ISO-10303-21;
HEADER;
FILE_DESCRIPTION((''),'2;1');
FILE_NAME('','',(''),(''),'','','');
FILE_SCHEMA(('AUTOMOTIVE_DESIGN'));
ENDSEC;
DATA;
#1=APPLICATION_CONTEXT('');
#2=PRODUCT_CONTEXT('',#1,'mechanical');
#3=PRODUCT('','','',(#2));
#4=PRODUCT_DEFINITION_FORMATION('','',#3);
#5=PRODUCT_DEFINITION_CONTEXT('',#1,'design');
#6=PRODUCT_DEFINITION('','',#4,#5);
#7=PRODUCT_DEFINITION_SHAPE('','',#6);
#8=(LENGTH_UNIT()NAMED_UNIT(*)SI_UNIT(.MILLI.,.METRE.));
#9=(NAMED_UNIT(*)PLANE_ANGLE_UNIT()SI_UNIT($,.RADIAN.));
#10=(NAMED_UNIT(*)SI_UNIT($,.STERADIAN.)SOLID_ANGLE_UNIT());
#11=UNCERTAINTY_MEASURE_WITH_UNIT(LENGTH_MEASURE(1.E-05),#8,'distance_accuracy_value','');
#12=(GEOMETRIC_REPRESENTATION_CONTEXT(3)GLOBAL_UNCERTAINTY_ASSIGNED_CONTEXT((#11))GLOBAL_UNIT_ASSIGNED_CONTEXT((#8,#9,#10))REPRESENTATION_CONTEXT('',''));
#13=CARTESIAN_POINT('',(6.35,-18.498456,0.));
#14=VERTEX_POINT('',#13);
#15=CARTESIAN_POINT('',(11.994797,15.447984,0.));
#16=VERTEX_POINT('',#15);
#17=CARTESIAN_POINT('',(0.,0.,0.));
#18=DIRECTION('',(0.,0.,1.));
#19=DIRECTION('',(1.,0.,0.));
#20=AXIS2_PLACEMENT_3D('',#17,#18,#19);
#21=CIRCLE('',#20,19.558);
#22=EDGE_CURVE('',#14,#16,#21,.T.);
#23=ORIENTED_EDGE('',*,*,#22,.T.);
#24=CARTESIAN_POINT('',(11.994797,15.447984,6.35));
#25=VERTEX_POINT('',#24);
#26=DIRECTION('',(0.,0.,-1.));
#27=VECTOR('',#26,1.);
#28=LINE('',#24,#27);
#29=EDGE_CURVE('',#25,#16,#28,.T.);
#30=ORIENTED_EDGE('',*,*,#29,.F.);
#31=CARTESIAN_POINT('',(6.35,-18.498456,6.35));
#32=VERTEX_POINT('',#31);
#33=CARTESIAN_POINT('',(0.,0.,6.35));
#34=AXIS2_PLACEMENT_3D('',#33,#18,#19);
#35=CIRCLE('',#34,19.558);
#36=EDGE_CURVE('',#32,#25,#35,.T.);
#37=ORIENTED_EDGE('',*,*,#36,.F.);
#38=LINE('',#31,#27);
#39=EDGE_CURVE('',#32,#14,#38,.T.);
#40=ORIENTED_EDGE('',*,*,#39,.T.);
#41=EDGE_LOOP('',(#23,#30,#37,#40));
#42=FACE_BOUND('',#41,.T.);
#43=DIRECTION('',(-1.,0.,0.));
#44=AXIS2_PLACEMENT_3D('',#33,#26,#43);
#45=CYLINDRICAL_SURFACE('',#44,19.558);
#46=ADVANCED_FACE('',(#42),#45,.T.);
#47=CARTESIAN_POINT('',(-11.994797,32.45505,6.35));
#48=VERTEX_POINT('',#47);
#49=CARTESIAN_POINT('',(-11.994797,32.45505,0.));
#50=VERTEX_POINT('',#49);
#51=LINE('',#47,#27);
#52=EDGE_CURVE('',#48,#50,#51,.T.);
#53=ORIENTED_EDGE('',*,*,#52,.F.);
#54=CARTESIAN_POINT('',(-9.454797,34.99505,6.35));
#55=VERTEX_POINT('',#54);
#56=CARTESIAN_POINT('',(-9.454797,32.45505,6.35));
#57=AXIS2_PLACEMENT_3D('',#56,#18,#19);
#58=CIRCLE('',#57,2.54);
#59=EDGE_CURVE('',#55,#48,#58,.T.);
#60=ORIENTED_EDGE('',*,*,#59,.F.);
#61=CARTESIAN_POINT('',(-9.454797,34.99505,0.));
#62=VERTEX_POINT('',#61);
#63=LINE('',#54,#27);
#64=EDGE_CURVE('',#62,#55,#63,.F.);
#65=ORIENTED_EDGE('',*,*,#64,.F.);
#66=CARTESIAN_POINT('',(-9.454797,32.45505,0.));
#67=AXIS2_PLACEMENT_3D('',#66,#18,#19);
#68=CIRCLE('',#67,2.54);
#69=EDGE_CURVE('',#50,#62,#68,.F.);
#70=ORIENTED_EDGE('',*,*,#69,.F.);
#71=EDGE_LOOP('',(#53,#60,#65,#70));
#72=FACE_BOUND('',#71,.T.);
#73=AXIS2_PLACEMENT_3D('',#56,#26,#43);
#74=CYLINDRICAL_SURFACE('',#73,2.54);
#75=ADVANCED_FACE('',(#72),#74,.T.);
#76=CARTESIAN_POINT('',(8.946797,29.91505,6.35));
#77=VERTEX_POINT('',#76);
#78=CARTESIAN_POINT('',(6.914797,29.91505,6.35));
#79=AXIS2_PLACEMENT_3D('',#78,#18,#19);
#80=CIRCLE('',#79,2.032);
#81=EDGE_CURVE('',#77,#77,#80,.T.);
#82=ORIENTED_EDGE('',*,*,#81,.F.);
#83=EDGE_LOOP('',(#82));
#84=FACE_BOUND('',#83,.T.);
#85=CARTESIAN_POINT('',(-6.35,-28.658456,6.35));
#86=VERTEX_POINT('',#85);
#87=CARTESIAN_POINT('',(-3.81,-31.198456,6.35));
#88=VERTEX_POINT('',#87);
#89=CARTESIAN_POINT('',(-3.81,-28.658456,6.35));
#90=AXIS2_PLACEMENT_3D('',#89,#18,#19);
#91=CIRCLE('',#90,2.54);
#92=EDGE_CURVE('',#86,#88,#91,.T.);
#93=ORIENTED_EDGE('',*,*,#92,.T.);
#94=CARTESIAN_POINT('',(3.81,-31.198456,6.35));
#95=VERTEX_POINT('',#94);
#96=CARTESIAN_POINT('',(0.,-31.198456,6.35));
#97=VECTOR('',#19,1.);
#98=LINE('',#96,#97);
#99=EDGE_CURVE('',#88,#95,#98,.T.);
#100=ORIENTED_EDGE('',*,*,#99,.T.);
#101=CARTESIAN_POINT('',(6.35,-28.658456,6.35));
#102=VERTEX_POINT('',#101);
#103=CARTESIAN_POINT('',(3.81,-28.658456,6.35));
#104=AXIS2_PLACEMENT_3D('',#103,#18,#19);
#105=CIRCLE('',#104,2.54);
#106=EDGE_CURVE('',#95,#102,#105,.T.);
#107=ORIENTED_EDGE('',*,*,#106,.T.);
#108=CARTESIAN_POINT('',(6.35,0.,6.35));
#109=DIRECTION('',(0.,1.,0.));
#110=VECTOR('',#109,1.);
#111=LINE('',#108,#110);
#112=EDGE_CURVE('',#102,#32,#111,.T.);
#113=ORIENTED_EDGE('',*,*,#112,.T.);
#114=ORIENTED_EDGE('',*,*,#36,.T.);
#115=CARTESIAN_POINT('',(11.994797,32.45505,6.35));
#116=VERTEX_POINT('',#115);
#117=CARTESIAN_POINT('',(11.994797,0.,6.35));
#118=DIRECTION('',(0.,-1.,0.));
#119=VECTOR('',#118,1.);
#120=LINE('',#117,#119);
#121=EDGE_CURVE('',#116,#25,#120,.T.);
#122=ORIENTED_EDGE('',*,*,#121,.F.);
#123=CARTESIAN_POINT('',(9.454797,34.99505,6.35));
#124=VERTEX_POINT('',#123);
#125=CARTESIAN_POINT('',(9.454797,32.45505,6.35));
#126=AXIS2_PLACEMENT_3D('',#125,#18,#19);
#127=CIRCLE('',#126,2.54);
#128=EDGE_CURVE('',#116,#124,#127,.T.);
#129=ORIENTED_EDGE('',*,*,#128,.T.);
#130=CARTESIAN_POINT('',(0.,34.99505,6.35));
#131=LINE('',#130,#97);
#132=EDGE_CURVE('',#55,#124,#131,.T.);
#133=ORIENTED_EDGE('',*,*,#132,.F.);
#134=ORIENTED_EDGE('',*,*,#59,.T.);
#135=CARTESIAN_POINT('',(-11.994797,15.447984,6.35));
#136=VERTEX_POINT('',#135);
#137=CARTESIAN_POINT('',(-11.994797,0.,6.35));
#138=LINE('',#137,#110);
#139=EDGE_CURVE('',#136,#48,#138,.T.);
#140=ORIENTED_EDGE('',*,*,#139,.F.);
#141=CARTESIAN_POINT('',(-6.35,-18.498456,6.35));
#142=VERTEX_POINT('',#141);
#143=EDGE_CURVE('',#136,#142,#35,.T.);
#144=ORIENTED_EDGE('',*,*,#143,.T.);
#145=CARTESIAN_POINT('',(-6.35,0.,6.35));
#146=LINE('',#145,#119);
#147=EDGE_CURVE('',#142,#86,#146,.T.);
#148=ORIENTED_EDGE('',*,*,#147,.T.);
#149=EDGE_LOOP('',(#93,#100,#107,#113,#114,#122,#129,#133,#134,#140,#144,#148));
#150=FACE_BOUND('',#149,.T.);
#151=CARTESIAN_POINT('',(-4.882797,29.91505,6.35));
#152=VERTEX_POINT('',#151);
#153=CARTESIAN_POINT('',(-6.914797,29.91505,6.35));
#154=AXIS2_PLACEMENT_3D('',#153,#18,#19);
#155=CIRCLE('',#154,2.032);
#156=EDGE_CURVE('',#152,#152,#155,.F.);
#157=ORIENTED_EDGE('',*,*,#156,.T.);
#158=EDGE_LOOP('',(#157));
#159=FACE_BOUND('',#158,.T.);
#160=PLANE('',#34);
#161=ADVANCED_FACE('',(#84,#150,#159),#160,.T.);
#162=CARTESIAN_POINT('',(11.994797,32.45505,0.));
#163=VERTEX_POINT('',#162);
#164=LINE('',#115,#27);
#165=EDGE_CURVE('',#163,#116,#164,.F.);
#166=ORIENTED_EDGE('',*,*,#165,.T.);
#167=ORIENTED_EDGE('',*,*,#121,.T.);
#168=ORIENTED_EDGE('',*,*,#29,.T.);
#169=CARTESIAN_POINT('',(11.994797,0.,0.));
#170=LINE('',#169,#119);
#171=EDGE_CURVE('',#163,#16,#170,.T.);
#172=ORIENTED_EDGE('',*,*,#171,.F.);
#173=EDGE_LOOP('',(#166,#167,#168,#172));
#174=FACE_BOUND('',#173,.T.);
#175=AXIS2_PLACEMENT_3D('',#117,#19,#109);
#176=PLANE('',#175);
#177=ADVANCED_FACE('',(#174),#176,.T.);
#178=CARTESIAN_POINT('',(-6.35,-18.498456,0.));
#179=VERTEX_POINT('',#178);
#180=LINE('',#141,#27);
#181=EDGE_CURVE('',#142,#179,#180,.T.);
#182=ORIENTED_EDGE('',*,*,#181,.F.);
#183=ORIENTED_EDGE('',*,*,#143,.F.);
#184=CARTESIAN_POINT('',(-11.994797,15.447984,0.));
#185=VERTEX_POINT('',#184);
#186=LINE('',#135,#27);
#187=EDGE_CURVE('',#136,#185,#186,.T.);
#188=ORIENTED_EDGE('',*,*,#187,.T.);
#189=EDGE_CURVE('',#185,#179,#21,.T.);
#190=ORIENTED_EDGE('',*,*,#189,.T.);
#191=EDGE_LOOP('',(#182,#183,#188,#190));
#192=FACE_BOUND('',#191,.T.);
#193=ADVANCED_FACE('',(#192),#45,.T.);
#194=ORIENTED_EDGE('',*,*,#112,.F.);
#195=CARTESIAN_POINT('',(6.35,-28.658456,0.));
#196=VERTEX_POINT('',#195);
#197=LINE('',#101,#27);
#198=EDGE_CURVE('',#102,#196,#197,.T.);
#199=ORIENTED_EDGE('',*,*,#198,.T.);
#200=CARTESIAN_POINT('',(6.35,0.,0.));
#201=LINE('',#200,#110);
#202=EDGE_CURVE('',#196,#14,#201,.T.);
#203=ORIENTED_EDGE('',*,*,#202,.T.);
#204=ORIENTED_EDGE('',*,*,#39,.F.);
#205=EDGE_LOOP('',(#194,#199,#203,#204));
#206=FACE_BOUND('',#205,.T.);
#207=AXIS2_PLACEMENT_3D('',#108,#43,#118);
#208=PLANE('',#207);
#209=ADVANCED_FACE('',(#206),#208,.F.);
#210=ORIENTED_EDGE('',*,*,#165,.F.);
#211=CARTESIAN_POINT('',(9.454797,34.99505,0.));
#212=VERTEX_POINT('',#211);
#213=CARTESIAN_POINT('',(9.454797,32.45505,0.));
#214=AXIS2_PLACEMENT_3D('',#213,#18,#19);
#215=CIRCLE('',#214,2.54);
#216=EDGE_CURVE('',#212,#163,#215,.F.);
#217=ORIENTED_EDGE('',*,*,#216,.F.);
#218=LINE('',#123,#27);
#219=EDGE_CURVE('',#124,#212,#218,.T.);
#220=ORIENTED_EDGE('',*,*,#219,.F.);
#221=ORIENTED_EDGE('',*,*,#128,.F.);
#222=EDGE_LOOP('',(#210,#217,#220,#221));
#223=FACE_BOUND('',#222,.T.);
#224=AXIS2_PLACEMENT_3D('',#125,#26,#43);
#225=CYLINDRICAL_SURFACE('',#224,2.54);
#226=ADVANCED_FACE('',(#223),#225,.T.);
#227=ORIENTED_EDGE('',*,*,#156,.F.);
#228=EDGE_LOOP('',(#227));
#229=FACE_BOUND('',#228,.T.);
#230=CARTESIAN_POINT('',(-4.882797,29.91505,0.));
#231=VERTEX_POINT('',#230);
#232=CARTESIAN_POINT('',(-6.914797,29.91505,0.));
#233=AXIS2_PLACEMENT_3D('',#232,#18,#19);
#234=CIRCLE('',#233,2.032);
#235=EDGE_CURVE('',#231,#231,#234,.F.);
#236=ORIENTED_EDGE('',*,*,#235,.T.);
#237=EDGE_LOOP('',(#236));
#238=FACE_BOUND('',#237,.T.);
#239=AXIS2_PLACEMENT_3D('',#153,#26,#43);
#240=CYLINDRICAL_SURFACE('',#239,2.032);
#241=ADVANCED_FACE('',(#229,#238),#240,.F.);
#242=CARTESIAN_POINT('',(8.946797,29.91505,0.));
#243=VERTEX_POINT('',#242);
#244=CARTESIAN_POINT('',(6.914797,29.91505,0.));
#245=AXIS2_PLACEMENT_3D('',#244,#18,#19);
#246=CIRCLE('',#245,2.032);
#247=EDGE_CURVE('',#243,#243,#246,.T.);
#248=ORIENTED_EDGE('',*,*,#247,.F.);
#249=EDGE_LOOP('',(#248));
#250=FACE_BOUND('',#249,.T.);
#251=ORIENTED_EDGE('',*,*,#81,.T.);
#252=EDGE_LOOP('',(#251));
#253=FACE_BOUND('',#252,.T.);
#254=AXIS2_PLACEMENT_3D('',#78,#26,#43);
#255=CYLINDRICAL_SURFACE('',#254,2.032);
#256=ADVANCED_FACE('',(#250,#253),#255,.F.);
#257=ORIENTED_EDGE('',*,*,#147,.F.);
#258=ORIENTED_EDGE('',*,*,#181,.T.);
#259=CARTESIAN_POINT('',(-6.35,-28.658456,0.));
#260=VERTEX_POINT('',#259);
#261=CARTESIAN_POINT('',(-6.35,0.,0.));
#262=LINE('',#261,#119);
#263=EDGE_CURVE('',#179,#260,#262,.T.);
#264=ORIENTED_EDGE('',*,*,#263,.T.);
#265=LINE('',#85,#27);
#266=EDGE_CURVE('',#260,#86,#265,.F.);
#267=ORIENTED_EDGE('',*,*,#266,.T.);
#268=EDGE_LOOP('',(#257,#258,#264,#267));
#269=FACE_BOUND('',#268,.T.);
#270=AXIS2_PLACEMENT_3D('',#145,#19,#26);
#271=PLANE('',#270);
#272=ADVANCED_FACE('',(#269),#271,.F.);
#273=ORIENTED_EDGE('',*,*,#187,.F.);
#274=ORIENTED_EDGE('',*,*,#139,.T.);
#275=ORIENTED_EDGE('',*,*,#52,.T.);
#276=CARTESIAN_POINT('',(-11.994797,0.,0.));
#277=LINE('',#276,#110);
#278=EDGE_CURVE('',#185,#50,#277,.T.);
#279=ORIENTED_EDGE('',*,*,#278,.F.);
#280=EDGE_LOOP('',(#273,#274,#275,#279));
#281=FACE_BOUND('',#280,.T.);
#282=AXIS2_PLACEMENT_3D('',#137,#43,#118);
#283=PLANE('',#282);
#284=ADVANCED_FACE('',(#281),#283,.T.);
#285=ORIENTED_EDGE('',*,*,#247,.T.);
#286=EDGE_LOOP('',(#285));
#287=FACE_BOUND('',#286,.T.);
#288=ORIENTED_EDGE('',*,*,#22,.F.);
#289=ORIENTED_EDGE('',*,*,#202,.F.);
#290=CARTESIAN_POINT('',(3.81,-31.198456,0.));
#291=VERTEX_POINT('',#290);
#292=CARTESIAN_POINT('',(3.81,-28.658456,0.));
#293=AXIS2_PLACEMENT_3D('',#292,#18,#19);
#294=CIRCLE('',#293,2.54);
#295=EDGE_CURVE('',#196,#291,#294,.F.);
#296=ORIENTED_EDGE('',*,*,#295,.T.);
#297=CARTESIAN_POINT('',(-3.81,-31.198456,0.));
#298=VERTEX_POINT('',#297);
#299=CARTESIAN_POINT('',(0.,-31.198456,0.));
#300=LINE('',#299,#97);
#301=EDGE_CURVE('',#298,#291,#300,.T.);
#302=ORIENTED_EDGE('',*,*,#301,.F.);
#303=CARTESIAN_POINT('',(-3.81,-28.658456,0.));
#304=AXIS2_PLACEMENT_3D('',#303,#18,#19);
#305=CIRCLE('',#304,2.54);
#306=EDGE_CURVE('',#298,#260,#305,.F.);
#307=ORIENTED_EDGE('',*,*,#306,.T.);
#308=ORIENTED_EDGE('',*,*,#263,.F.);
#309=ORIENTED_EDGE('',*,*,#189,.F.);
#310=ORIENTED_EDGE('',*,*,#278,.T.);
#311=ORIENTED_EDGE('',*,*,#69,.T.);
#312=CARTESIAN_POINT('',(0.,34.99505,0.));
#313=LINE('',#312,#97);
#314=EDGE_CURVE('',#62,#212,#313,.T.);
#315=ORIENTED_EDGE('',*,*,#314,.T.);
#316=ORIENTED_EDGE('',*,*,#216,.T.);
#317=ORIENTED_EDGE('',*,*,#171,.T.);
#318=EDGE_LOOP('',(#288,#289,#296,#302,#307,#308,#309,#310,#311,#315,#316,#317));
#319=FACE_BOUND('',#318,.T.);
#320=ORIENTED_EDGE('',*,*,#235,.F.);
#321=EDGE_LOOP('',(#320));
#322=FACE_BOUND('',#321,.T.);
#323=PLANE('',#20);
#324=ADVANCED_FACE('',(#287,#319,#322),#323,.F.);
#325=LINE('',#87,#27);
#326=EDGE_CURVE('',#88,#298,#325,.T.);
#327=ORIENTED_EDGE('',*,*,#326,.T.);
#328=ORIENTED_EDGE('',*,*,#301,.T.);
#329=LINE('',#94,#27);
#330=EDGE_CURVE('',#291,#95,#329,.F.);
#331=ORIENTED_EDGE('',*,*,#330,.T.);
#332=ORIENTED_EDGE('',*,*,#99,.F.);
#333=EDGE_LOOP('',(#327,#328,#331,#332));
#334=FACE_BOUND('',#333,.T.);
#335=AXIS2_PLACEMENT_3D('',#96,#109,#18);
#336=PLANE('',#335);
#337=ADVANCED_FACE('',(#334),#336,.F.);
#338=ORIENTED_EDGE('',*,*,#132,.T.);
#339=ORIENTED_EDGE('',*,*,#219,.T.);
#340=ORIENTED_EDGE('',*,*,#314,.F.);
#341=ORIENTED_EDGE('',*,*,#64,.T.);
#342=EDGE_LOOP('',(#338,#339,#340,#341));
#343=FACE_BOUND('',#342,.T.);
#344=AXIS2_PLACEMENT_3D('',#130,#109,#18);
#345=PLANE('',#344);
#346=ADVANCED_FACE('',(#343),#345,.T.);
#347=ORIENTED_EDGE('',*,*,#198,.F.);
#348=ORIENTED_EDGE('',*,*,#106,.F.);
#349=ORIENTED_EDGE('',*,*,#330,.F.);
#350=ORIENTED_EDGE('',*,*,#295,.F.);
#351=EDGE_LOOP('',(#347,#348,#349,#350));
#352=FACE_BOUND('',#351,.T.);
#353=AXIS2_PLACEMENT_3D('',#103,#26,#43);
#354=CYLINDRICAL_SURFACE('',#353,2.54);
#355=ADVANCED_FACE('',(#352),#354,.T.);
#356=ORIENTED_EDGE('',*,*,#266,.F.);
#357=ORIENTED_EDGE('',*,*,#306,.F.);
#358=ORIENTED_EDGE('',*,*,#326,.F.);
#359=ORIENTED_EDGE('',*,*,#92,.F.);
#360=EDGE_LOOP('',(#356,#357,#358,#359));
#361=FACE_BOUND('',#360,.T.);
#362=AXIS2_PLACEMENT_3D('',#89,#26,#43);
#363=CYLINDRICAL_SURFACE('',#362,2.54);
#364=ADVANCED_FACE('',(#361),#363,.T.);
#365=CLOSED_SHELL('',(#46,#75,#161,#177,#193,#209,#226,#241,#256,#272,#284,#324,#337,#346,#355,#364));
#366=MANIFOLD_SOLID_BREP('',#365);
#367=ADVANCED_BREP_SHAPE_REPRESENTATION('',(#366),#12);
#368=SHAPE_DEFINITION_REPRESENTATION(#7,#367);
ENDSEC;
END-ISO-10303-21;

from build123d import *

# Parameters (mm, degrees)
SKETCH1_R           = 2.032
BOSS_EXTRUDE1_DEPTH = 6.35
FILLET1_R           = 2.54


with BuildPart() as part:
    # Sketch1 → Boss-Extrude1 (new body)
    with BuildSketch(Plane.XY):
        with BuildLine():
            ThreePointArc((6.35, -18.498455719), (0, -19.558), (-6.35, -18.498455719))
            Line((-6.35, -18.498455719), (-6.35, -31.198455719))
            Line((-6.35, -31.198455719), (6.35, -31.198455719))
            Line((6.35, -31.198455719), (6.35, -18.498455719))
        make_face()
        with BuildLine():
            Line((-11.994797213, 34.995050133), (-11.994797213, 15.447983811))
            ThreePointArc((-11.994797213, 15.447983811), (-19.293083875, -3.208158134), (-6.35, -18.498455719))
            Line((-6.35, -18.498455719), (6.35, -18.498455719))
            ThreePointArc((6.35, -18.498455719), (19.293083875, -3.208158134), (11.994797213, 15.447983811))
            Line((11.994797213, 15.447983811), (11.994797213, 34.995050133))
            Line((11.994797213, 34.995050133), (-11.994797213, 34.995050133))
        make_face()
        with Locations((-6.914797213, 29.915050133)):
            Circle(SKETCH1_R, mode=Mode.SUBTRACT)
        with Locations((6.914797213, 29.915050133)):
            Circle(SKETCH1_R, mode=Mode.SUBTRACT)
        with BuildLine():
            Line((6.35, -18.498455719), (-6.35, -18.498455719))
            ThreePointArc((-6.35, -18.498455719), (0, -19.558), (6.35, -18.498455719))
        make_face()
    extrude(amount=BOSS_EXTRUDE1_DEPTH)

    # Fillet1
    fillet1_edges = [part.edges().sort_by_distance(p)[0] for p in [
        (6.35, -31.198455719, 3.175),
        (-6.35, -31.198455719, 3.175),
        (11.994797213, 34.995050133, 3.175),
        (-11.994797213, 34.995050133, 3.175),
    ]]
    fillet(fillet1_edges, radius=FILLET1_R)


solid = part.part
